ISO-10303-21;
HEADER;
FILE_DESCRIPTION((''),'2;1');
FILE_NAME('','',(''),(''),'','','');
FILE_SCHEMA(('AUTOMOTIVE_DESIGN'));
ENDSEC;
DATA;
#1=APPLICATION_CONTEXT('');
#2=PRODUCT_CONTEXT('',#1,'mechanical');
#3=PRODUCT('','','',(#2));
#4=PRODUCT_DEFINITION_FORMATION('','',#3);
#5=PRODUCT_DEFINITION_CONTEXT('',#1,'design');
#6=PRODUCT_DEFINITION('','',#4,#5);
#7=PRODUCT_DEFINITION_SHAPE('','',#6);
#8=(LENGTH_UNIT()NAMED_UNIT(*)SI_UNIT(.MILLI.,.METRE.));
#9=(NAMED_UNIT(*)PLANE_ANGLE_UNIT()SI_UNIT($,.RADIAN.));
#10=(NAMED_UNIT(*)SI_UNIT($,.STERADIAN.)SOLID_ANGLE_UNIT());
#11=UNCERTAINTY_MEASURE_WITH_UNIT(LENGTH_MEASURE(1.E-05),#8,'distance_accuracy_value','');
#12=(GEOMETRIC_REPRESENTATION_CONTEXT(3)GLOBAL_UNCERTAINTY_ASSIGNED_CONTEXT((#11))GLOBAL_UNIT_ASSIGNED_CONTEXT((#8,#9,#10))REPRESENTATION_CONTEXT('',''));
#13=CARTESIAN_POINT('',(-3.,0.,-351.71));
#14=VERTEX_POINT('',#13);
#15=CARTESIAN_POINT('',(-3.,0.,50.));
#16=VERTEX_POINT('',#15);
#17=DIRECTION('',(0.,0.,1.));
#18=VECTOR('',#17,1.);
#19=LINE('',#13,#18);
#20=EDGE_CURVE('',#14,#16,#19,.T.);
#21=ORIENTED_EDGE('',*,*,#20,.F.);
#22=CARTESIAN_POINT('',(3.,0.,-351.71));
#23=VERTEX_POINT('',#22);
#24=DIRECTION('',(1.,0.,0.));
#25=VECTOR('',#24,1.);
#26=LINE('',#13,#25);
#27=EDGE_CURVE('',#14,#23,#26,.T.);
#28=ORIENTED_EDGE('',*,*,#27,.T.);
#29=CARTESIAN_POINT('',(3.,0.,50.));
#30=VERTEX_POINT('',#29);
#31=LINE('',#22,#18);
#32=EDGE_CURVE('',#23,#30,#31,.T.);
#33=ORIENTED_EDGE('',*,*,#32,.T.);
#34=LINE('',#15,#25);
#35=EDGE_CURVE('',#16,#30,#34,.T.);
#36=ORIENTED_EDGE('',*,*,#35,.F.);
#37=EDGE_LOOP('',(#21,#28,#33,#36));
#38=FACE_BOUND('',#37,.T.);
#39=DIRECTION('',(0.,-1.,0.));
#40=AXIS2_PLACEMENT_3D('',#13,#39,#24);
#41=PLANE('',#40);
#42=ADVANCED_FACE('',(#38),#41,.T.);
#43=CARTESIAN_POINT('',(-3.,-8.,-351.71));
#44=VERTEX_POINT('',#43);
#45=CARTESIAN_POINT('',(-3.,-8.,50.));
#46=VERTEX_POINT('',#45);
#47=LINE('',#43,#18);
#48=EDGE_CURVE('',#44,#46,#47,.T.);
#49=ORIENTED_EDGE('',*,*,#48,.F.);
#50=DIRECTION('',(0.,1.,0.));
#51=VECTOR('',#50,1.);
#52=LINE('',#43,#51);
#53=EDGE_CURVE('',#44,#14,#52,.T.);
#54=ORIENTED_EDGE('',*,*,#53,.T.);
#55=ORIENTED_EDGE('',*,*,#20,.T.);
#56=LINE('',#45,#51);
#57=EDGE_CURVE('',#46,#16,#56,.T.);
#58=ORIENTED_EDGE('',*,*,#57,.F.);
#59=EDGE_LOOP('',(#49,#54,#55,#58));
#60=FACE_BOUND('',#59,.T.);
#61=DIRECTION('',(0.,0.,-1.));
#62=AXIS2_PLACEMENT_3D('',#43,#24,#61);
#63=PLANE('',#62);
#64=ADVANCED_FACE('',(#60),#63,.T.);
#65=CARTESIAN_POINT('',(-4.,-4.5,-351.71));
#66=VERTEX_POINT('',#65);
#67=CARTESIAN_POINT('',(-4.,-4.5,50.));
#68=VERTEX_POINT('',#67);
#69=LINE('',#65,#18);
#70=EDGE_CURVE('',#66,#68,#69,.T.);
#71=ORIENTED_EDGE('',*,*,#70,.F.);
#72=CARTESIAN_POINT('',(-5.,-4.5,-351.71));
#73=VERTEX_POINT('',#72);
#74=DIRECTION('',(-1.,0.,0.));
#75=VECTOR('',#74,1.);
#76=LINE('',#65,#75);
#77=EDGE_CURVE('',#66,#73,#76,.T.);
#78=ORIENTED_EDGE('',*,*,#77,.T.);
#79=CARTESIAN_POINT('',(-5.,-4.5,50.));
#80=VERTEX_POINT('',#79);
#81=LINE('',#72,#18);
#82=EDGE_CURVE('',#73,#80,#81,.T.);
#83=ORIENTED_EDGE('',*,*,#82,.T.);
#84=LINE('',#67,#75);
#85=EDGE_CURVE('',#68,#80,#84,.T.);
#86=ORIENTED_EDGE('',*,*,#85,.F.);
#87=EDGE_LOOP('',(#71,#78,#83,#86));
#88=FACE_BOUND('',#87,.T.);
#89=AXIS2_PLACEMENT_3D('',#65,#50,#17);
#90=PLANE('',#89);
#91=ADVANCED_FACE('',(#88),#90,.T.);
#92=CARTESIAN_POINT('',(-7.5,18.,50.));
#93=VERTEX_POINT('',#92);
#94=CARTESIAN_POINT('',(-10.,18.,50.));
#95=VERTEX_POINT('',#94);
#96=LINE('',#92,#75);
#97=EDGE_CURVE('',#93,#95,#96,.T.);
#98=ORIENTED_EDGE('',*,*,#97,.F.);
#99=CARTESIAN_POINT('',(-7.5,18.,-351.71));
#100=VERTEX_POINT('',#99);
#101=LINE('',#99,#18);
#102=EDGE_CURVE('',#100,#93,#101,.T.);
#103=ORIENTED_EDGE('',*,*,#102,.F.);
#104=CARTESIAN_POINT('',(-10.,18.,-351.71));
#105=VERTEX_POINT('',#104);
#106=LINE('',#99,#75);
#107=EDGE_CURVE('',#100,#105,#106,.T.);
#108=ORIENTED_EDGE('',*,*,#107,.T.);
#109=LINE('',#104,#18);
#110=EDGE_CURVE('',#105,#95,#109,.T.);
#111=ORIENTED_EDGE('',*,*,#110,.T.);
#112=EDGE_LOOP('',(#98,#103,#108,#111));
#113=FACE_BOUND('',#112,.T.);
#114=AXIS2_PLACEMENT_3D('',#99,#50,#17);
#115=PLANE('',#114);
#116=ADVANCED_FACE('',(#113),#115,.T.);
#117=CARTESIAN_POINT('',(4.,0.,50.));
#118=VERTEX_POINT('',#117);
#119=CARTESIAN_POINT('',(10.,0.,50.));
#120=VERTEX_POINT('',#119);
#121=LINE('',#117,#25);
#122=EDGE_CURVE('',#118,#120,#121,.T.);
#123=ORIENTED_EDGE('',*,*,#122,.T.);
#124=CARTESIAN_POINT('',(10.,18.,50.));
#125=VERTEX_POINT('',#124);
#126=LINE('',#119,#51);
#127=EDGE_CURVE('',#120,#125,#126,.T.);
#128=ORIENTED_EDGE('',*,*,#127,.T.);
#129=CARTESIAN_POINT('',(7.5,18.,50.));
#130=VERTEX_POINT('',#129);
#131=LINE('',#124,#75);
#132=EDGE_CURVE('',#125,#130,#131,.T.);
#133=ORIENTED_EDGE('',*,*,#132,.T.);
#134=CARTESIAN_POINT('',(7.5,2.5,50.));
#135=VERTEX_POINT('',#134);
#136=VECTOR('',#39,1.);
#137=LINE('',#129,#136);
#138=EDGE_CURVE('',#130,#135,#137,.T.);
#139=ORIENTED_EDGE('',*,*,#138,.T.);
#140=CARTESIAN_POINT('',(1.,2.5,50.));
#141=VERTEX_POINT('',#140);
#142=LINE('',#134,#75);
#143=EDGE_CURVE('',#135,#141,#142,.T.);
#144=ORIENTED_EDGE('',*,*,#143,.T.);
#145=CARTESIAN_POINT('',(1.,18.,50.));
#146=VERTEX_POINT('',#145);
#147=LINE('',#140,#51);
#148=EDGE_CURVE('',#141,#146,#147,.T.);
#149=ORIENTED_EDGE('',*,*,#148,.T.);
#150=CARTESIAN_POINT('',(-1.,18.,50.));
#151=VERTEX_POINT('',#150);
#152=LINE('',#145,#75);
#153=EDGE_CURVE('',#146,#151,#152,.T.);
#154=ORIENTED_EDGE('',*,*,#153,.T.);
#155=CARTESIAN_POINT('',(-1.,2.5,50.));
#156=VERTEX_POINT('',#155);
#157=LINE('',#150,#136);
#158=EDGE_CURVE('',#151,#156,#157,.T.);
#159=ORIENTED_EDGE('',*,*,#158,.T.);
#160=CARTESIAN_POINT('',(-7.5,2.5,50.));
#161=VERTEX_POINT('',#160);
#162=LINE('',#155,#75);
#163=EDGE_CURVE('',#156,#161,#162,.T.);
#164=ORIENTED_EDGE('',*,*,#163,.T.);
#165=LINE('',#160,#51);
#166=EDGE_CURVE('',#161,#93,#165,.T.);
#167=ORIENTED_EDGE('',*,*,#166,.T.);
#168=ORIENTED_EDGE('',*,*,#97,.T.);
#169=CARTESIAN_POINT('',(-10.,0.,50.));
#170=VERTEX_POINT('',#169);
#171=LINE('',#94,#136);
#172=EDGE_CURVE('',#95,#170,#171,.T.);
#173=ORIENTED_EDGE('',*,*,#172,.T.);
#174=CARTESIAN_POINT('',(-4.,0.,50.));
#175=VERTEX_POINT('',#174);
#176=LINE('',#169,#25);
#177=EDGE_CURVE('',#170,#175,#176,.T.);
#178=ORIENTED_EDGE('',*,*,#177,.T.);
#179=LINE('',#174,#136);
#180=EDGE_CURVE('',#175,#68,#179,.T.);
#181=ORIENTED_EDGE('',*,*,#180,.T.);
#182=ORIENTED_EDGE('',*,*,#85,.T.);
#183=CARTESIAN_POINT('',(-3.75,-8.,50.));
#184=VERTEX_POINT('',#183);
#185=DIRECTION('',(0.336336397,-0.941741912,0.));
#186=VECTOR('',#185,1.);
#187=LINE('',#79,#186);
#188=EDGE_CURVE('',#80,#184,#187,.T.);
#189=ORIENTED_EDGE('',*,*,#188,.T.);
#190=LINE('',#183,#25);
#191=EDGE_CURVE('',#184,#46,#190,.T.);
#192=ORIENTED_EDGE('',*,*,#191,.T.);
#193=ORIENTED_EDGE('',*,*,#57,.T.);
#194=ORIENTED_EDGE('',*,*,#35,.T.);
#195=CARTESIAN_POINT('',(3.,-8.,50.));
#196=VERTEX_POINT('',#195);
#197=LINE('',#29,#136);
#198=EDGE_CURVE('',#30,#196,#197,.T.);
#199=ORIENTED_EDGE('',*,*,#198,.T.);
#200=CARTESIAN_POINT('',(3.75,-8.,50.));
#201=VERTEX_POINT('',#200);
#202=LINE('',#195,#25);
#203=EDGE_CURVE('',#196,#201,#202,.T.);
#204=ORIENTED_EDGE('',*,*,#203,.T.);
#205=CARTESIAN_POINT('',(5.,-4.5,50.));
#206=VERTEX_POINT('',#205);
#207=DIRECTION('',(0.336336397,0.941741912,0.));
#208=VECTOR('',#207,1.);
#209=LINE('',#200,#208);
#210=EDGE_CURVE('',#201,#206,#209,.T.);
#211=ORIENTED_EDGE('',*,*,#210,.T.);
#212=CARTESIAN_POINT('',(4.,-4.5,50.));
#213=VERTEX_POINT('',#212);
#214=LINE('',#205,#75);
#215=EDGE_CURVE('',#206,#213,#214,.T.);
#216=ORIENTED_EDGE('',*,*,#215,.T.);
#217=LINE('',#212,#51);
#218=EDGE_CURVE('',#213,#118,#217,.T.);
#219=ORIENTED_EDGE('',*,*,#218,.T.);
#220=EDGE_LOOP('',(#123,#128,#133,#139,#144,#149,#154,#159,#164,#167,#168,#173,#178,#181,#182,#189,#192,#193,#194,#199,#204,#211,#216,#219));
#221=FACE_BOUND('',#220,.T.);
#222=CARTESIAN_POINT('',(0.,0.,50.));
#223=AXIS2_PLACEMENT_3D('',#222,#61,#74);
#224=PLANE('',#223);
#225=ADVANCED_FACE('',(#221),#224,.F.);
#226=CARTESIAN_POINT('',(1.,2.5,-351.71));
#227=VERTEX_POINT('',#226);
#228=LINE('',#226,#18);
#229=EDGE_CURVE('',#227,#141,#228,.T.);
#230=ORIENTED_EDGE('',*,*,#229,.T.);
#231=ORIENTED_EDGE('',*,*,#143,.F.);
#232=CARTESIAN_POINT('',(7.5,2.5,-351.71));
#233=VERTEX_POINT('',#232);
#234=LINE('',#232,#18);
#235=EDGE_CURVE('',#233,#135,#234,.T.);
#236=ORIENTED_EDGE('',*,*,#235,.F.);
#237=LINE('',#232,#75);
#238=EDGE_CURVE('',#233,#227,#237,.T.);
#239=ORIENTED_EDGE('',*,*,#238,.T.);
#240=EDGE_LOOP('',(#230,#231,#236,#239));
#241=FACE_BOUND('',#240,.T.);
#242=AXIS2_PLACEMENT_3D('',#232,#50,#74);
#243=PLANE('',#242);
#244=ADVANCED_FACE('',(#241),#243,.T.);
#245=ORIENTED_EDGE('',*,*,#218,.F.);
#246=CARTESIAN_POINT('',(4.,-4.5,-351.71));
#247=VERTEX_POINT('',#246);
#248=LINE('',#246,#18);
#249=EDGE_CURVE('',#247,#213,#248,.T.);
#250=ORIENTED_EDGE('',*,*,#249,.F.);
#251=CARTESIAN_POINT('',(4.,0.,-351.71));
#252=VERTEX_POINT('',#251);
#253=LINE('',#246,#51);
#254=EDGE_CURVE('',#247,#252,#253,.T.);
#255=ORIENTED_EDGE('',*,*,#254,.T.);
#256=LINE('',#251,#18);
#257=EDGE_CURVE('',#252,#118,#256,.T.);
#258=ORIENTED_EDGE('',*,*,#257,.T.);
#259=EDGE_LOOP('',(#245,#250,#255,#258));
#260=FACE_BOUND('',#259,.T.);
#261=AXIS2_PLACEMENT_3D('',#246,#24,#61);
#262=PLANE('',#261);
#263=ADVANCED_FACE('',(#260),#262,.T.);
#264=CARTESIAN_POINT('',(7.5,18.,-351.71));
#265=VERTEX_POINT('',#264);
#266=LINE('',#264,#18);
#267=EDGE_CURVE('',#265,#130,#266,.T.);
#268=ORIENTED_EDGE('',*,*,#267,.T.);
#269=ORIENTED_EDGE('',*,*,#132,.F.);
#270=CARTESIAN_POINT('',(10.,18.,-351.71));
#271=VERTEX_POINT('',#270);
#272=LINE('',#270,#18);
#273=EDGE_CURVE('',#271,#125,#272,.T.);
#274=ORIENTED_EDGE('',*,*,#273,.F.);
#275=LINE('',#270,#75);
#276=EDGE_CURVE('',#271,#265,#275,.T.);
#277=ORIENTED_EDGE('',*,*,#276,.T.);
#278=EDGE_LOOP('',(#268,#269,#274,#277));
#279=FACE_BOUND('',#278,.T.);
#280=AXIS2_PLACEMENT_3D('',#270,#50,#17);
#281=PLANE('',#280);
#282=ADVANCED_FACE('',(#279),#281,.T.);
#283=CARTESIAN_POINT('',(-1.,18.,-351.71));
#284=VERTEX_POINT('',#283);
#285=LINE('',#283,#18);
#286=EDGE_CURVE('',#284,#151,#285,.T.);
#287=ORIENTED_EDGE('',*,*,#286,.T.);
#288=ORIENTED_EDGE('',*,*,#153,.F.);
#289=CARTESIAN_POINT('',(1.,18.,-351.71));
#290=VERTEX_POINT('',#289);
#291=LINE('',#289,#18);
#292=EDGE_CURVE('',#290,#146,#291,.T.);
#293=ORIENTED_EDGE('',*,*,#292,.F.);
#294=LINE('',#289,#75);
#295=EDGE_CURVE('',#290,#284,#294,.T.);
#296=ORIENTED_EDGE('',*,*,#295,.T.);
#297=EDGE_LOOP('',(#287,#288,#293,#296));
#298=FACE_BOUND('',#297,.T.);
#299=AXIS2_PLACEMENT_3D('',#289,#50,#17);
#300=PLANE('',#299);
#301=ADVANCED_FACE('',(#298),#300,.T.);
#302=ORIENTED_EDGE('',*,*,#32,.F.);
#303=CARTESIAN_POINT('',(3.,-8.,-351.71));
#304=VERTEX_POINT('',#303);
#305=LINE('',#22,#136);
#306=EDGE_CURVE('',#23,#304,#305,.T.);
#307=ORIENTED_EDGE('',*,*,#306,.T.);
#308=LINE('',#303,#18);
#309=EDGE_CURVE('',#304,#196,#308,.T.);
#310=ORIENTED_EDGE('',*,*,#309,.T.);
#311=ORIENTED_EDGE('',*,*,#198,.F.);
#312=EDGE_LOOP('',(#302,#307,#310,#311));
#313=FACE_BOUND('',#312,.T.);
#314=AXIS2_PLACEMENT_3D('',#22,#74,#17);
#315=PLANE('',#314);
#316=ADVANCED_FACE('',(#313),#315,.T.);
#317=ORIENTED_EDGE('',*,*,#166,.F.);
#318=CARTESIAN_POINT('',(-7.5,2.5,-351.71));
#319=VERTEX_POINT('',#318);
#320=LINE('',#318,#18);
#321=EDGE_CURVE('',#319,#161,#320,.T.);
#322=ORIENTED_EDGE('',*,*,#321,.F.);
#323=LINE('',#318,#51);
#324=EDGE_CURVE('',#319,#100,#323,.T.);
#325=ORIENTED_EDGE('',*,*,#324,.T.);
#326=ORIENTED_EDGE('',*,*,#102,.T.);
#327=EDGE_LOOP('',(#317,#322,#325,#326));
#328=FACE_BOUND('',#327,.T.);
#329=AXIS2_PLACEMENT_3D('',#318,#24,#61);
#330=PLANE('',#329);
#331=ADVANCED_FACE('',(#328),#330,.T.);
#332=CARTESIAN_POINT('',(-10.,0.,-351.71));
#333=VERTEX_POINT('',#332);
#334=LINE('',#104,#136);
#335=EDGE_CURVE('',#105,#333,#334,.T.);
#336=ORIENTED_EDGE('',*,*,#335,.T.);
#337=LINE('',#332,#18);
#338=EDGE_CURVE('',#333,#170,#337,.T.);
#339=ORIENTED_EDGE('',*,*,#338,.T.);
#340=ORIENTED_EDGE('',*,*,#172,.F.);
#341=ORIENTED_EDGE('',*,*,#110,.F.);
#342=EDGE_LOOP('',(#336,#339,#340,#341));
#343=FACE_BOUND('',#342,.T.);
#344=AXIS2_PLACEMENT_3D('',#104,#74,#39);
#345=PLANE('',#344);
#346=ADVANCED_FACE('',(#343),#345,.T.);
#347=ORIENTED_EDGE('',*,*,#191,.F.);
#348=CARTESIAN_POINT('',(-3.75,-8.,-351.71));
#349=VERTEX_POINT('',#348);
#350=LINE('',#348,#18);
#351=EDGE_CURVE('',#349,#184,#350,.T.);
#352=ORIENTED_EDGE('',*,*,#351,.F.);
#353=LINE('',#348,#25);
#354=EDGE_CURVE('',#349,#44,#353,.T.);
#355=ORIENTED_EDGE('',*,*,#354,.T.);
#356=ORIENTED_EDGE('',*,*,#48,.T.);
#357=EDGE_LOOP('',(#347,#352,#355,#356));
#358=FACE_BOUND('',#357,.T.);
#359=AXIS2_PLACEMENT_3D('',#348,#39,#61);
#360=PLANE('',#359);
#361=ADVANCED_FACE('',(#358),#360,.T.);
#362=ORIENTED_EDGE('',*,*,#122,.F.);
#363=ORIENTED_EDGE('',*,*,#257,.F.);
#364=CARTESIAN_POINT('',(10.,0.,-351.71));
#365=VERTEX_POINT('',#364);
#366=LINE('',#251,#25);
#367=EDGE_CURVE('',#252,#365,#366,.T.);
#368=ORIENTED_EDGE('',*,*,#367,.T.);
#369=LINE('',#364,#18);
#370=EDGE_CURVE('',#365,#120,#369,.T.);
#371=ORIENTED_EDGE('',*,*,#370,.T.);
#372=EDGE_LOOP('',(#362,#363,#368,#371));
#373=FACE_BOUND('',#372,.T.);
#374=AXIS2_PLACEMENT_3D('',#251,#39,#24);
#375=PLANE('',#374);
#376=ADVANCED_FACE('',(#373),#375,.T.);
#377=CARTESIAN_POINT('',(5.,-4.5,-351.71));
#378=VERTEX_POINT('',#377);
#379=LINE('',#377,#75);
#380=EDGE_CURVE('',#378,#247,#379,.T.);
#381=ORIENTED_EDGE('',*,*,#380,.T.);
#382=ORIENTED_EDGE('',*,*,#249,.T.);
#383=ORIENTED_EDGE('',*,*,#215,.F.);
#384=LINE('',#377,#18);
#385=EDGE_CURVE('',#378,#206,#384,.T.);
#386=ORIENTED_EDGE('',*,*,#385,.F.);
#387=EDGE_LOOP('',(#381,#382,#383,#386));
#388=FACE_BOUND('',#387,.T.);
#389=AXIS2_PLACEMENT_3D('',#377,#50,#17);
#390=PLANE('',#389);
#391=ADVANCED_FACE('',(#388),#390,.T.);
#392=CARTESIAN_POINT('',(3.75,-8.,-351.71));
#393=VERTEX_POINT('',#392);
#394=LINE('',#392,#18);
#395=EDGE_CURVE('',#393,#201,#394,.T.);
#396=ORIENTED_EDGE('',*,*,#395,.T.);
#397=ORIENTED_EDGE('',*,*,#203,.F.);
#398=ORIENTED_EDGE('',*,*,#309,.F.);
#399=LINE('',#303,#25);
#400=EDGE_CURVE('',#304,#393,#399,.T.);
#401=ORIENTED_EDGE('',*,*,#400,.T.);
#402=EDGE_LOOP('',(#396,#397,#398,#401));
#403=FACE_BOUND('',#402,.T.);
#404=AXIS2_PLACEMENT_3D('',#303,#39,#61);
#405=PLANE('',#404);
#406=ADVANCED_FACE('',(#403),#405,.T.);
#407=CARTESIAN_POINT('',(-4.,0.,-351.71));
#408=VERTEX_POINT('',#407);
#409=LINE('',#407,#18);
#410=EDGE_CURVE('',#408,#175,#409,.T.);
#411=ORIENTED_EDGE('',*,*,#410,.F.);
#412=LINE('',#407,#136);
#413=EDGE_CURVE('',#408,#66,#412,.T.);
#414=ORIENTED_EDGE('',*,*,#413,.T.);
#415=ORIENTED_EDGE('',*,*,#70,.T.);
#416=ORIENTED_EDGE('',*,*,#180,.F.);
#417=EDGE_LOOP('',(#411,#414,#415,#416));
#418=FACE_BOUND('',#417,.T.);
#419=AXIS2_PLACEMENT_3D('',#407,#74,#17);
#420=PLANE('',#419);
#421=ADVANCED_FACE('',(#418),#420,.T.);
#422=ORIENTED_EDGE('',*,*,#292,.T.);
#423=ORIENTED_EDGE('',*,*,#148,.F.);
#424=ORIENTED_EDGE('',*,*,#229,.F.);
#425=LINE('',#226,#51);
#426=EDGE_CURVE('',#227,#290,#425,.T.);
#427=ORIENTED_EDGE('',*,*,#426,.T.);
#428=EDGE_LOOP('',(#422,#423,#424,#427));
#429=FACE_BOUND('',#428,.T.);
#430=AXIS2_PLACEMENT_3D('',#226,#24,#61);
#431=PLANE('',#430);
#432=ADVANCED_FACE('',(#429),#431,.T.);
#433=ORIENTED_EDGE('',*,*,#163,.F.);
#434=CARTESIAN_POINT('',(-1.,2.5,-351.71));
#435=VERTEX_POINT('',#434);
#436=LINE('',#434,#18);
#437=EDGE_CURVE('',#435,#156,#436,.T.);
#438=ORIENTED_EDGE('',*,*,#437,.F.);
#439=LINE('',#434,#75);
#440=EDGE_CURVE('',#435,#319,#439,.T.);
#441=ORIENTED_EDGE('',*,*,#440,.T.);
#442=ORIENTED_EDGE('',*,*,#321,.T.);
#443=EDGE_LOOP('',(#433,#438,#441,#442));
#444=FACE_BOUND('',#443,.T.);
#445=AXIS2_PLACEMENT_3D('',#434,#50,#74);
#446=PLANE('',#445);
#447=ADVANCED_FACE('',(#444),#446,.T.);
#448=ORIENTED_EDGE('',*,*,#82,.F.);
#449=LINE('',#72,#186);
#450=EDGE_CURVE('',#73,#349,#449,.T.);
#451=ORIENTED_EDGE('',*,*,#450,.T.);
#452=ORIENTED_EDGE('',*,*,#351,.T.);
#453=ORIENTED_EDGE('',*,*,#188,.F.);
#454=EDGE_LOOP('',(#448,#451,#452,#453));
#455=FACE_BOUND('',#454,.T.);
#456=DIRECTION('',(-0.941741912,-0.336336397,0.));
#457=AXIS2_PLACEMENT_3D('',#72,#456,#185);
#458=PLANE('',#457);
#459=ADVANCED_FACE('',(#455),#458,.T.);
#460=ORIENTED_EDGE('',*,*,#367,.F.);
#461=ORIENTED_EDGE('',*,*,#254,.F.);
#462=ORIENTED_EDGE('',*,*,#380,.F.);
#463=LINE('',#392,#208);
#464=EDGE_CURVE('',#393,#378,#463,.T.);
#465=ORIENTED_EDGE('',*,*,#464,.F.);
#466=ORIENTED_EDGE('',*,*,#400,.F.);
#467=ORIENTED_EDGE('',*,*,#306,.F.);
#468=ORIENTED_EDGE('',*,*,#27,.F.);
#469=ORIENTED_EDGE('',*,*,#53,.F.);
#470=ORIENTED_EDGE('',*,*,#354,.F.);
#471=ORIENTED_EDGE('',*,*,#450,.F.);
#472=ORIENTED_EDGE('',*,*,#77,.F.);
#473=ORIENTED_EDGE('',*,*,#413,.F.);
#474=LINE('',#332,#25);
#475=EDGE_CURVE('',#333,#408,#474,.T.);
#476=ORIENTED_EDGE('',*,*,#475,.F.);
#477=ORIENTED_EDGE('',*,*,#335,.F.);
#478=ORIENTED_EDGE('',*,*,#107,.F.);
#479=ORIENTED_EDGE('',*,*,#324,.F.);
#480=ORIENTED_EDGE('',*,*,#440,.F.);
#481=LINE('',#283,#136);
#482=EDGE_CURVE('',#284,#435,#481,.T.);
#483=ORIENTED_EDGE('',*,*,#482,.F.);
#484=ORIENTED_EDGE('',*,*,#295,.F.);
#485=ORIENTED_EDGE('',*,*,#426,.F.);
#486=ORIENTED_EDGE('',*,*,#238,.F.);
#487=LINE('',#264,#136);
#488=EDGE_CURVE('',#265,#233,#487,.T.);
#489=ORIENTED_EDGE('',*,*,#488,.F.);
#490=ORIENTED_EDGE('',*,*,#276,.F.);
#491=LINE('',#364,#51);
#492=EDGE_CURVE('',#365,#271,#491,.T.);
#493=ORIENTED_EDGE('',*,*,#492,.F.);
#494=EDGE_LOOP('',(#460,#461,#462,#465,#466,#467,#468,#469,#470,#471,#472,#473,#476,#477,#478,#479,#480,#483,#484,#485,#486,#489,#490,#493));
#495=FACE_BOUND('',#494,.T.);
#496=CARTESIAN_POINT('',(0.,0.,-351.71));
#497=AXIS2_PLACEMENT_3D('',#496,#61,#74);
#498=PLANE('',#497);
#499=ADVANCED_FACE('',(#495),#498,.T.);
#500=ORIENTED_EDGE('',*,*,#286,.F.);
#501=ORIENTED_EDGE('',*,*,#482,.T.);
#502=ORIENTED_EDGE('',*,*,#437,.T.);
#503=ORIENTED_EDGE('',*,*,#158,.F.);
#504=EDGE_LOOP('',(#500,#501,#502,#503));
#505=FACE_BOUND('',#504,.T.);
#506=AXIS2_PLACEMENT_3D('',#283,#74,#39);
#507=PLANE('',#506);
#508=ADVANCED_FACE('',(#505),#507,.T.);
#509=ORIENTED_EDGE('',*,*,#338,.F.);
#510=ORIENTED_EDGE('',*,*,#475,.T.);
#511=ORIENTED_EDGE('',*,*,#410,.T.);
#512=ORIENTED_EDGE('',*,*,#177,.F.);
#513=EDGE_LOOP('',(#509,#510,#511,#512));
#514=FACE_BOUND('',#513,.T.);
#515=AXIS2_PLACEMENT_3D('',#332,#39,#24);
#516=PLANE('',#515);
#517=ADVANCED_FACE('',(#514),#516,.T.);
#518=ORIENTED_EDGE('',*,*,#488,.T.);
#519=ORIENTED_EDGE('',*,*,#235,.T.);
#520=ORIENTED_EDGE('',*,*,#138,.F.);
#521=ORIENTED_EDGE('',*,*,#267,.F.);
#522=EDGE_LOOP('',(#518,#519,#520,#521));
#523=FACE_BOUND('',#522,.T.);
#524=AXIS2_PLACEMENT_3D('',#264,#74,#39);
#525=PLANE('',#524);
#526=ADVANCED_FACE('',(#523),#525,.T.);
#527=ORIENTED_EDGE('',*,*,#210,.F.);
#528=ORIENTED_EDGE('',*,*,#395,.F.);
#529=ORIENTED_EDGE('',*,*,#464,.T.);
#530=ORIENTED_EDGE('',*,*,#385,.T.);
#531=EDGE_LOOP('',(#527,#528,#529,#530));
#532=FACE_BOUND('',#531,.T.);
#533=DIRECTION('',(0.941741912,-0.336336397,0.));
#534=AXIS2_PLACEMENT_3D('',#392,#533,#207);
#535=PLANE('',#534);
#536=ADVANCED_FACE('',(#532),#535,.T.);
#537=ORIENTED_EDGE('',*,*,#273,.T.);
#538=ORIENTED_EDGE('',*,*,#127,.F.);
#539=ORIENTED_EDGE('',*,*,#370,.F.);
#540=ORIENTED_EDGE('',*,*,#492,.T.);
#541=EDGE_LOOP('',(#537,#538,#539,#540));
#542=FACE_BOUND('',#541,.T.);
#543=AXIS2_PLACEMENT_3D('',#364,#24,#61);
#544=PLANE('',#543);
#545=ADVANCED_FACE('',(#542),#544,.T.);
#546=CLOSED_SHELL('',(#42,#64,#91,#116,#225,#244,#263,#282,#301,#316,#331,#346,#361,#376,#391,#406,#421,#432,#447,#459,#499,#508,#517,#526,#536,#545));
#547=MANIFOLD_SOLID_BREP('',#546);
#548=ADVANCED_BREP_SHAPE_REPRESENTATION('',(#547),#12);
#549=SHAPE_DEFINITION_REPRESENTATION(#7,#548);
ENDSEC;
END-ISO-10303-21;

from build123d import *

# Parameters (mm, degrees)
BOSS_EXTRU_1_DEPTH = 401.71


with BuildPart() as part:
    # Esquisse1 → Boss.-Extru.1 (new body)
    with BuildSketch(Plane.XY.offset(50)):
        Polygon((-1, 2.5), (-7.5, 2.5), (-7.5, 17.999999998), (-10, 17.999999998), (-10, 0), (-4, 0), (-4, -4.5), (-5, -4.5), (-3.75, -8), (-3, -8), (-3, 0), (3, 0), (3, -8), (3.75, -8), (5, -4.5), (4, -4.5), (4, 0), (10, 0), (10, 17.999999998), (7.5, 17.999999998), (7.5, 2.5), (1, 2.5), (1, 17.999999998), (-1, 17.999999998), align=None)
    extrude(amount=-BOSS_EXTRU_1_DEPTH)


solid = part.part
